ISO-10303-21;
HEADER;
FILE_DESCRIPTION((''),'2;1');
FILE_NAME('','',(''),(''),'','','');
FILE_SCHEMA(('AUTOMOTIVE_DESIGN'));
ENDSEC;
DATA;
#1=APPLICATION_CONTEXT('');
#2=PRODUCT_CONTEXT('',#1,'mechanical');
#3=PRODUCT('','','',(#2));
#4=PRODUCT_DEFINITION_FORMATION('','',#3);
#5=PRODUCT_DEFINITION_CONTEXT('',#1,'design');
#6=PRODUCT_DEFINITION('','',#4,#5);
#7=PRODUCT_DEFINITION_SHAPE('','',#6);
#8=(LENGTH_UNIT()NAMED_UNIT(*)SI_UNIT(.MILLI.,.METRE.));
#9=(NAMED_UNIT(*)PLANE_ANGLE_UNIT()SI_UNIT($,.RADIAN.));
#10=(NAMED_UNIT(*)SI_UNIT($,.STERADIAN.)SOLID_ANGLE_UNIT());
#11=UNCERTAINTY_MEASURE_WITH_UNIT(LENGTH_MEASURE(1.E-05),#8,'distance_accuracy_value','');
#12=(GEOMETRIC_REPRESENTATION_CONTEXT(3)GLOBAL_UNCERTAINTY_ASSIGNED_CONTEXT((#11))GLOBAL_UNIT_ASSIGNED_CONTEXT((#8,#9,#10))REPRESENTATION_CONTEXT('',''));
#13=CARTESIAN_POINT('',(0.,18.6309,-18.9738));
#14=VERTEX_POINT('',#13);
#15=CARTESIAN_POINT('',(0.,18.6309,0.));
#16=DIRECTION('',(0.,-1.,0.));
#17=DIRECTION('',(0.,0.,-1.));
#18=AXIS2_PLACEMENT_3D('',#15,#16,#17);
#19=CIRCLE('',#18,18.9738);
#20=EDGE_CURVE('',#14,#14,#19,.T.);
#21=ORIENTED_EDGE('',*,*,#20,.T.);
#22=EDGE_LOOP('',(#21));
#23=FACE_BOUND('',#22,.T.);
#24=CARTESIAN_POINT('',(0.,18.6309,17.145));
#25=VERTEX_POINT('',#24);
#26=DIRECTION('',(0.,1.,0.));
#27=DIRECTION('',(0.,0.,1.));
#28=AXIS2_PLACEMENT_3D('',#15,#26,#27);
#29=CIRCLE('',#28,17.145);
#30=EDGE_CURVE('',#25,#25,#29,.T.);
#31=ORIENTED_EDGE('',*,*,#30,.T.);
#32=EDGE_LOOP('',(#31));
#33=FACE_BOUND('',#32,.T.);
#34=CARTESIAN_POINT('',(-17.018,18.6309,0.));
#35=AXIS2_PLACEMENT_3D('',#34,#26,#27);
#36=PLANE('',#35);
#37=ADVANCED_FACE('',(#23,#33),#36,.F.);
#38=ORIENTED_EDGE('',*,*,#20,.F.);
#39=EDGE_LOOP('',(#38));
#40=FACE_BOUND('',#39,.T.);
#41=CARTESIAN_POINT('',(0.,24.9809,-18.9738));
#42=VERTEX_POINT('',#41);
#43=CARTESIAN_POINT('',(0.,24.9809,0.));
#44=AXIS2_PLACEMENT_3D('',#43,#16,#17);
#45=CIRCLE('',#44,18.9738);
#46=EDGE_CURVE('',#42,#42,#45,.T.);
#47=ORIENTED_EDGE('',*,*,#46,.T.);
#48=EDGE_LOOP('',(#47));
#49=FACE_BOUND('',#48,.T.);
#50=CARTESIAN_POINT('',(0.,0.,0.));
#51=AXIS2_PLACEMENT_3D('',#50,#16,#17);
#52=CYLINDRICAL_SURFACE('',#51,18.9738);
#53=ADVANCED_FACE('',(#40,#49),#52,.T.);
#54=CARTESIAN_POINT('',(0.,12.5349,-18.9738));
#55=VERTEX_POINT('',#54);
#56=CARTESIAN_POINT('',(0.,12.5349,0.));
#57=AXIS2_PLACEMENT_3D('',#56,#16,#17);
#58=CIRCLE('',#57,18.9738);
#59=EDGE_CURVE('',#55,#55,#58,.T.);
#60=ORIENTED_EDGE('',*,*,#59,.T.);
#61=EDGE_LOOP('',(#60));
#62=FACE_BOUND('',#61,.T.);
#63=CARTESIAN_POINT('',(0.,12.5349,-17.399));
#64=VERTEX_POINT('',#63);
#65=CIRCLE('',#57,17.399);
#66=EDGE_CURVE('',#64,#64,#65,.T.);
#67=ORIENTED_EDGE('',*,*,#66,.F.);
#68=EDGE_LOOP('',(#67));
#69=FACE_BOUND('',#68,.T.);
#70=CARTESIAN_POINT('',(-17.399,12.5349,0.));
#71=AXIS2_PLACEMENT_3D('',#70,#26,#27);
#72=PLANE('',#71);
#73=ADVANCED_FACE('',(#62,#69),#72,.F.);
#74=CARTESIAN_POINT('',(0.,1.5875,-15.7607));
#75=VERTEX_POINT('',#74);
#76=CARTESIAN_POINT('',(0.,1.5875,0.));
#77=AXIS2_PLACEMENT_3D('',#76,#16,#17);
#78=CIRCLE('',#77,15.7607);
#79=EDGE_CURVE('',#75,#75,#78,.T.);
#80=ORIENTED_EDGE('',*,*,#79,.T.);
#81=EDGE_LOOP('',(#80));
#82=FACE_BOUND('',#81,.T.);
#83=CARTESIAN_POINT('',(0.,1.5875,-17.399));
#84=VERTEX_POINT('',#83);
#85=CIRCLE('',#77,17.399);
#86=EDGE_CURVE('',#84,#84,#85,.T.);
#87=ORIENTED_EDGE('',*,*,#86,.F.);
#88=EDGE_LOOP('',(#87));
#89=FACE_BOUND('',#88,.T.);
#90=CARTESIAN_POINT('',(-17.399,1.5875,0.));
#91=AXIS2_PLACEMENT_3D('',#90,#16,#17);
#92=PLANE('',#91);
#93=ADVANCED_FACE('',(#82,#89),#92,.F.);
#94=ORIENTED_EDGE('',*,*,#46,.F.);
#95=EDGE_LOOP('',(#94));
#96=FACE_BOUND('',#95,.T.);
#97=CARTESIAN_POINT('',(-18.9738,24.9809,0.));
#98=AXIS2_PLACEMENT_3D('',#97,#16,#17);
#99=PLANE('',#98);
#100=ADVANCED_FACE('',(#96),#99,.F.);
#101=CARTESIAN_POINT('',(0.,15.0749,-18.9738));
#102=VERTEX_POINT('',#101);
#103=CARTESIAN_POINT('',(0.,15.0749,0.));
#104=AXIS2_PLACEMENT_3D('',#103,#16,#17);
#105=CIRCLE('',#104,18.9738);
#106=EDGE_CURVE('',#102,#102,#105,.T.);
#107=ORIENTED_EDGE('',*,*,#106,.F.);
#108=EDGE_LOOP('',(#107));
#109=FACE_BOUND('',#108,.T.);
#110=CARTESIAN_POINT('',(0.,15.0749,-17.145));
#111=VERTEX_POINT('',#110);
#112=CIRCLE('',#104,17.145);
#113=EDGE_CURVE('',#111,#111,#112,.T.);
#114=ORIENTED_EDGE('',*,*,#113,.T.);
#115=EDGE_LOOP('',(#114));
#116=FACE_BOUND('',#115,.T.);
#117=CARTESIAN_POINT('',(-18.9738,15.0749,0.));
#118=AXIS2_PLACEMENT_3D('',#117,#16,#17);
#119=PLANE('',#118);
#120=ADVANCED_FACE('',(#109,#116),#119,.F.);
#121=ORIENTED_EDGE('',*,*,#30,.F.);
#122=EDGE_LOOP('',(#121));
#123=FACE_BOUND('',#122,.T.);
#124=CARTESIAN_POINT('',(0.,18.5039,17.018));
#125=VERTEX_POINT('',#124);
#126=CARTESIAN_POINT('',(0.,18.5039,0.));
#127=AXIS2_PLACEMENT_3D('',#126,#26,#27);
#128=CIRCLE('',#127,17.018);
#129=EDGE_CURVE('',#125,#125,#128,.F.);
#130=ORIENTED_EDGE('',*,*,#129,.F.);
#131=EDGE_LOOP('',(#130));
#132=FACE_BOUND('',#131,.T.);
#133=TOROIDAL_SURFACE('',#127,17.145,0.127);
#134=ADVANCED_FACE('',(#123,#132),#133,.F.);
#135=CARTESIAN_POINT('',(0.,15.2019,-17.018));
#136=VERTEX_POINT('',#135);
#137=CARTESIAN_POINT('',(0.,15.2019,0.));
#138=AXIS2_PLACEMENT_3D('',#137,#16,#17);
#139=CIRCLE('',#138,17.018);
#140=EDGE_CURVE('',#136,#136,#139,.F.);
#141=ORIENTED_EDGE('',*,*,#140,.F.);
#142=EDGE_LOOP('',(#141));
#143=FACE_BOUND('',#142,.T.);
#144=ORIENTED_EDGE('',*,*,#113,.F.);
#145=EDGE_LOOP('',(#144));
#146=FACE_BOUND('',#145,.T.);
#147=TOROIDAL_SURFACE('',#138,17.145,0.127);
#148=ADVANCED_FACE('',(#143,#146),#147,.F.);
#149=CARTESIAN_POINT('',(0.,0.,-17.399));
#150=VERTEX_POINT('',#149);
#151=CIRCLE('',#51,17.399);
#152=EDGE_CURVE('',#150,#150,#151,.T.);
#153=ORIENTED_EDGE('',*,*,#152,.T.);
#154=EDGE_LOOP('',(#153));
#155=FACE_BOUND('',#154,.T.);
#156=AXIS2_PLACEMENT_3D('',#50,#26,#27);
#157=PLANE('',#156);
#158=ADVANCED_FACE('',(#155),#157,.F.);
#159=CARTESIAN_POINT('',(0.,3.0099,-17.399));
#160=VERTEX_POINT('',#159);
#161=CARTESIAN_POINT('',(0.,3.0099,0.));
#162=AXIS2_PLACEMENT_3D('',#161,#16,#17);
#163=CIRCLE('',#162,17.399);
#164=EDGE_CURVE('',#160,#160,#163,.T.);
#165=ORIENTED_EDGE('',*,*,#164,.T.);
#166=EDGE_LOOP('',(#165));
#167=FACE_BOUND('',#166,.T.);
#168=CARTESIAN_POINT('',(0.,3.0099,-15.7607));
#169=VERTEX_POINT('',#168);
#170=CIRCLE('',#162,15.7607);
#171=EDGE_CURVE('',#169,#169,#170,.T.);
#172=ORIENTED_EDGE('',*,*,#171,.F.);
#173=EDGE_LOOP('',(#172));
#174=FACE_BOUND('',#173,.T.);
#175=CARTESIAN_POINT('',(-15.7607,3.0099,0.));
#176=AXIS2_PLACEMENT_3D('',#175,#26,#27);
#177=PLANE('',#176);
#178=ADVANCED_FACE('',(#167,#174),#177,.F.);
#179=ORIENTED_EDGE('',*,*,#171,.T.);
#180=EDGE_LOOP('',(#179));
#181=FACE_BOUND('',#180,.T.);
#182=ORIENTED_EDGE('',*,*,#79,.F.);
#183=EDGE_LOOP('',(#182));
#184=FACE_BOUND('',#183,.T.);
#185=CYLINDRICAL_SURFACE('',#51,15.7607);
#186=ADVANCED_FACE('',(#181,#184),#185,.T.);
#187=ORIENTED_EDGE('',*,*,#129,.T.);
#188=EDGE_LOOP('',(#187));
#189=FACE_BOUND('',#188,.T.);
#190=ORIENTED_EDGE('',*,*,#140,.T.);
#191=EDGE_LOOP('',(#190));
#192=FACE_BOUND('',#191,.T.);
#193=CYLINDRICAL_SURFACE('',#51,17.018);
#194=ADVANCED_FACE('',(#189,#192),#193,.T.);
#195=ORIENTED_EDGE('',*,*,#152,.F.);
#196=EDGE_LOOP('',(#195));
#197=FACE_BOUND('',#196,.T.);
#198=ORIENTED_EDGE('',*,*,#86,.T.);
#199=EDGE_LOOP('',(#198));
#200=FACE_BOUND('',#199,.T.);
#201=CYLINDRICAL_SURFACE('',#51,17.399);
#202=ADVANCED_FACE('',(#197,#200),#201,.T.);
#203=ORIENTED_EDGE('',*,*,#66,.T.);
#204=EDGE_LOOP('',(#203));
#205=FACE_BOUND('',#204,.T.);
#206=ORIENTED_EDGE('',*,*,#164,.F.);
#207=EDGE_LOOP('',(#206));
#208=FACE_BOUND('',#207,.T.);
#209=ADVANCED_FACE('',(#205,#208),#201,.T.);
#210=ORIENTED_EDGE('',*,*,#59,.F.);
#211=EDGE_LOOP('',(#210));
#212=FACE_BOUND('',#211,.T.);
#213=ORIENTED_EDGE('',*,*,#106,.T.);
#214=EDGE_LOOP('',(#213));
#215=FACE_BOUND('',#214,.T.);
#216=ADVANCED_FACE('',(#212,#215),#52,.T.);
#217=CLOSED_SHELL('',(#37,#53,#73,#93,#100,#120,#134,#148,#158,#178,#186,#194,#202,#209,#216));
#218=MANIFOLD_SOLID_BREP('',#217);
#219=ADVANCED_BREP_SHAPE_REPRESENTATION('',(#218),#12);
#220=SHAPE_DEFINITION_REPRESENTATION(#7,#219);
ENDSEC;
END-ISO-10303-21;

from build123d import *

# Parameters (mm, degrees)
FILLET4_R = 0.127


with BuildPart() as part:
    # Sketch1 → Revolve1 (revolve)
    with BuildSketch(Plane.XY):
        Polygon((0, 0), (-17.399, 0), (-17.399, 1.5875), (-15.7607, 1.5875), (-15.7607, 3.0099), (-17.399, 3.0099), (-17.399, 12.5349), (-18.9738, 12.5349), (-18.9738, 15.0749), (-17.018, 15.0749), (-17.018, 18.6309), (-18.9738, 18.6309), (-18.9738, 24.9809), (0, 24.9809), align=None)
    revolve(axis=Axis((0, 0, 0), (0, 1, 0)))

    # Fillet4
    fillet4_edges = [part.edges().sort_by_distance(p)[0] for p in [
        (17.018, 15.0749, 0),
        (17.018, 18.6309, 0),
    ]]
    fillet(fillet4_edges, radius=FILLET4_R)


solid = part.part
